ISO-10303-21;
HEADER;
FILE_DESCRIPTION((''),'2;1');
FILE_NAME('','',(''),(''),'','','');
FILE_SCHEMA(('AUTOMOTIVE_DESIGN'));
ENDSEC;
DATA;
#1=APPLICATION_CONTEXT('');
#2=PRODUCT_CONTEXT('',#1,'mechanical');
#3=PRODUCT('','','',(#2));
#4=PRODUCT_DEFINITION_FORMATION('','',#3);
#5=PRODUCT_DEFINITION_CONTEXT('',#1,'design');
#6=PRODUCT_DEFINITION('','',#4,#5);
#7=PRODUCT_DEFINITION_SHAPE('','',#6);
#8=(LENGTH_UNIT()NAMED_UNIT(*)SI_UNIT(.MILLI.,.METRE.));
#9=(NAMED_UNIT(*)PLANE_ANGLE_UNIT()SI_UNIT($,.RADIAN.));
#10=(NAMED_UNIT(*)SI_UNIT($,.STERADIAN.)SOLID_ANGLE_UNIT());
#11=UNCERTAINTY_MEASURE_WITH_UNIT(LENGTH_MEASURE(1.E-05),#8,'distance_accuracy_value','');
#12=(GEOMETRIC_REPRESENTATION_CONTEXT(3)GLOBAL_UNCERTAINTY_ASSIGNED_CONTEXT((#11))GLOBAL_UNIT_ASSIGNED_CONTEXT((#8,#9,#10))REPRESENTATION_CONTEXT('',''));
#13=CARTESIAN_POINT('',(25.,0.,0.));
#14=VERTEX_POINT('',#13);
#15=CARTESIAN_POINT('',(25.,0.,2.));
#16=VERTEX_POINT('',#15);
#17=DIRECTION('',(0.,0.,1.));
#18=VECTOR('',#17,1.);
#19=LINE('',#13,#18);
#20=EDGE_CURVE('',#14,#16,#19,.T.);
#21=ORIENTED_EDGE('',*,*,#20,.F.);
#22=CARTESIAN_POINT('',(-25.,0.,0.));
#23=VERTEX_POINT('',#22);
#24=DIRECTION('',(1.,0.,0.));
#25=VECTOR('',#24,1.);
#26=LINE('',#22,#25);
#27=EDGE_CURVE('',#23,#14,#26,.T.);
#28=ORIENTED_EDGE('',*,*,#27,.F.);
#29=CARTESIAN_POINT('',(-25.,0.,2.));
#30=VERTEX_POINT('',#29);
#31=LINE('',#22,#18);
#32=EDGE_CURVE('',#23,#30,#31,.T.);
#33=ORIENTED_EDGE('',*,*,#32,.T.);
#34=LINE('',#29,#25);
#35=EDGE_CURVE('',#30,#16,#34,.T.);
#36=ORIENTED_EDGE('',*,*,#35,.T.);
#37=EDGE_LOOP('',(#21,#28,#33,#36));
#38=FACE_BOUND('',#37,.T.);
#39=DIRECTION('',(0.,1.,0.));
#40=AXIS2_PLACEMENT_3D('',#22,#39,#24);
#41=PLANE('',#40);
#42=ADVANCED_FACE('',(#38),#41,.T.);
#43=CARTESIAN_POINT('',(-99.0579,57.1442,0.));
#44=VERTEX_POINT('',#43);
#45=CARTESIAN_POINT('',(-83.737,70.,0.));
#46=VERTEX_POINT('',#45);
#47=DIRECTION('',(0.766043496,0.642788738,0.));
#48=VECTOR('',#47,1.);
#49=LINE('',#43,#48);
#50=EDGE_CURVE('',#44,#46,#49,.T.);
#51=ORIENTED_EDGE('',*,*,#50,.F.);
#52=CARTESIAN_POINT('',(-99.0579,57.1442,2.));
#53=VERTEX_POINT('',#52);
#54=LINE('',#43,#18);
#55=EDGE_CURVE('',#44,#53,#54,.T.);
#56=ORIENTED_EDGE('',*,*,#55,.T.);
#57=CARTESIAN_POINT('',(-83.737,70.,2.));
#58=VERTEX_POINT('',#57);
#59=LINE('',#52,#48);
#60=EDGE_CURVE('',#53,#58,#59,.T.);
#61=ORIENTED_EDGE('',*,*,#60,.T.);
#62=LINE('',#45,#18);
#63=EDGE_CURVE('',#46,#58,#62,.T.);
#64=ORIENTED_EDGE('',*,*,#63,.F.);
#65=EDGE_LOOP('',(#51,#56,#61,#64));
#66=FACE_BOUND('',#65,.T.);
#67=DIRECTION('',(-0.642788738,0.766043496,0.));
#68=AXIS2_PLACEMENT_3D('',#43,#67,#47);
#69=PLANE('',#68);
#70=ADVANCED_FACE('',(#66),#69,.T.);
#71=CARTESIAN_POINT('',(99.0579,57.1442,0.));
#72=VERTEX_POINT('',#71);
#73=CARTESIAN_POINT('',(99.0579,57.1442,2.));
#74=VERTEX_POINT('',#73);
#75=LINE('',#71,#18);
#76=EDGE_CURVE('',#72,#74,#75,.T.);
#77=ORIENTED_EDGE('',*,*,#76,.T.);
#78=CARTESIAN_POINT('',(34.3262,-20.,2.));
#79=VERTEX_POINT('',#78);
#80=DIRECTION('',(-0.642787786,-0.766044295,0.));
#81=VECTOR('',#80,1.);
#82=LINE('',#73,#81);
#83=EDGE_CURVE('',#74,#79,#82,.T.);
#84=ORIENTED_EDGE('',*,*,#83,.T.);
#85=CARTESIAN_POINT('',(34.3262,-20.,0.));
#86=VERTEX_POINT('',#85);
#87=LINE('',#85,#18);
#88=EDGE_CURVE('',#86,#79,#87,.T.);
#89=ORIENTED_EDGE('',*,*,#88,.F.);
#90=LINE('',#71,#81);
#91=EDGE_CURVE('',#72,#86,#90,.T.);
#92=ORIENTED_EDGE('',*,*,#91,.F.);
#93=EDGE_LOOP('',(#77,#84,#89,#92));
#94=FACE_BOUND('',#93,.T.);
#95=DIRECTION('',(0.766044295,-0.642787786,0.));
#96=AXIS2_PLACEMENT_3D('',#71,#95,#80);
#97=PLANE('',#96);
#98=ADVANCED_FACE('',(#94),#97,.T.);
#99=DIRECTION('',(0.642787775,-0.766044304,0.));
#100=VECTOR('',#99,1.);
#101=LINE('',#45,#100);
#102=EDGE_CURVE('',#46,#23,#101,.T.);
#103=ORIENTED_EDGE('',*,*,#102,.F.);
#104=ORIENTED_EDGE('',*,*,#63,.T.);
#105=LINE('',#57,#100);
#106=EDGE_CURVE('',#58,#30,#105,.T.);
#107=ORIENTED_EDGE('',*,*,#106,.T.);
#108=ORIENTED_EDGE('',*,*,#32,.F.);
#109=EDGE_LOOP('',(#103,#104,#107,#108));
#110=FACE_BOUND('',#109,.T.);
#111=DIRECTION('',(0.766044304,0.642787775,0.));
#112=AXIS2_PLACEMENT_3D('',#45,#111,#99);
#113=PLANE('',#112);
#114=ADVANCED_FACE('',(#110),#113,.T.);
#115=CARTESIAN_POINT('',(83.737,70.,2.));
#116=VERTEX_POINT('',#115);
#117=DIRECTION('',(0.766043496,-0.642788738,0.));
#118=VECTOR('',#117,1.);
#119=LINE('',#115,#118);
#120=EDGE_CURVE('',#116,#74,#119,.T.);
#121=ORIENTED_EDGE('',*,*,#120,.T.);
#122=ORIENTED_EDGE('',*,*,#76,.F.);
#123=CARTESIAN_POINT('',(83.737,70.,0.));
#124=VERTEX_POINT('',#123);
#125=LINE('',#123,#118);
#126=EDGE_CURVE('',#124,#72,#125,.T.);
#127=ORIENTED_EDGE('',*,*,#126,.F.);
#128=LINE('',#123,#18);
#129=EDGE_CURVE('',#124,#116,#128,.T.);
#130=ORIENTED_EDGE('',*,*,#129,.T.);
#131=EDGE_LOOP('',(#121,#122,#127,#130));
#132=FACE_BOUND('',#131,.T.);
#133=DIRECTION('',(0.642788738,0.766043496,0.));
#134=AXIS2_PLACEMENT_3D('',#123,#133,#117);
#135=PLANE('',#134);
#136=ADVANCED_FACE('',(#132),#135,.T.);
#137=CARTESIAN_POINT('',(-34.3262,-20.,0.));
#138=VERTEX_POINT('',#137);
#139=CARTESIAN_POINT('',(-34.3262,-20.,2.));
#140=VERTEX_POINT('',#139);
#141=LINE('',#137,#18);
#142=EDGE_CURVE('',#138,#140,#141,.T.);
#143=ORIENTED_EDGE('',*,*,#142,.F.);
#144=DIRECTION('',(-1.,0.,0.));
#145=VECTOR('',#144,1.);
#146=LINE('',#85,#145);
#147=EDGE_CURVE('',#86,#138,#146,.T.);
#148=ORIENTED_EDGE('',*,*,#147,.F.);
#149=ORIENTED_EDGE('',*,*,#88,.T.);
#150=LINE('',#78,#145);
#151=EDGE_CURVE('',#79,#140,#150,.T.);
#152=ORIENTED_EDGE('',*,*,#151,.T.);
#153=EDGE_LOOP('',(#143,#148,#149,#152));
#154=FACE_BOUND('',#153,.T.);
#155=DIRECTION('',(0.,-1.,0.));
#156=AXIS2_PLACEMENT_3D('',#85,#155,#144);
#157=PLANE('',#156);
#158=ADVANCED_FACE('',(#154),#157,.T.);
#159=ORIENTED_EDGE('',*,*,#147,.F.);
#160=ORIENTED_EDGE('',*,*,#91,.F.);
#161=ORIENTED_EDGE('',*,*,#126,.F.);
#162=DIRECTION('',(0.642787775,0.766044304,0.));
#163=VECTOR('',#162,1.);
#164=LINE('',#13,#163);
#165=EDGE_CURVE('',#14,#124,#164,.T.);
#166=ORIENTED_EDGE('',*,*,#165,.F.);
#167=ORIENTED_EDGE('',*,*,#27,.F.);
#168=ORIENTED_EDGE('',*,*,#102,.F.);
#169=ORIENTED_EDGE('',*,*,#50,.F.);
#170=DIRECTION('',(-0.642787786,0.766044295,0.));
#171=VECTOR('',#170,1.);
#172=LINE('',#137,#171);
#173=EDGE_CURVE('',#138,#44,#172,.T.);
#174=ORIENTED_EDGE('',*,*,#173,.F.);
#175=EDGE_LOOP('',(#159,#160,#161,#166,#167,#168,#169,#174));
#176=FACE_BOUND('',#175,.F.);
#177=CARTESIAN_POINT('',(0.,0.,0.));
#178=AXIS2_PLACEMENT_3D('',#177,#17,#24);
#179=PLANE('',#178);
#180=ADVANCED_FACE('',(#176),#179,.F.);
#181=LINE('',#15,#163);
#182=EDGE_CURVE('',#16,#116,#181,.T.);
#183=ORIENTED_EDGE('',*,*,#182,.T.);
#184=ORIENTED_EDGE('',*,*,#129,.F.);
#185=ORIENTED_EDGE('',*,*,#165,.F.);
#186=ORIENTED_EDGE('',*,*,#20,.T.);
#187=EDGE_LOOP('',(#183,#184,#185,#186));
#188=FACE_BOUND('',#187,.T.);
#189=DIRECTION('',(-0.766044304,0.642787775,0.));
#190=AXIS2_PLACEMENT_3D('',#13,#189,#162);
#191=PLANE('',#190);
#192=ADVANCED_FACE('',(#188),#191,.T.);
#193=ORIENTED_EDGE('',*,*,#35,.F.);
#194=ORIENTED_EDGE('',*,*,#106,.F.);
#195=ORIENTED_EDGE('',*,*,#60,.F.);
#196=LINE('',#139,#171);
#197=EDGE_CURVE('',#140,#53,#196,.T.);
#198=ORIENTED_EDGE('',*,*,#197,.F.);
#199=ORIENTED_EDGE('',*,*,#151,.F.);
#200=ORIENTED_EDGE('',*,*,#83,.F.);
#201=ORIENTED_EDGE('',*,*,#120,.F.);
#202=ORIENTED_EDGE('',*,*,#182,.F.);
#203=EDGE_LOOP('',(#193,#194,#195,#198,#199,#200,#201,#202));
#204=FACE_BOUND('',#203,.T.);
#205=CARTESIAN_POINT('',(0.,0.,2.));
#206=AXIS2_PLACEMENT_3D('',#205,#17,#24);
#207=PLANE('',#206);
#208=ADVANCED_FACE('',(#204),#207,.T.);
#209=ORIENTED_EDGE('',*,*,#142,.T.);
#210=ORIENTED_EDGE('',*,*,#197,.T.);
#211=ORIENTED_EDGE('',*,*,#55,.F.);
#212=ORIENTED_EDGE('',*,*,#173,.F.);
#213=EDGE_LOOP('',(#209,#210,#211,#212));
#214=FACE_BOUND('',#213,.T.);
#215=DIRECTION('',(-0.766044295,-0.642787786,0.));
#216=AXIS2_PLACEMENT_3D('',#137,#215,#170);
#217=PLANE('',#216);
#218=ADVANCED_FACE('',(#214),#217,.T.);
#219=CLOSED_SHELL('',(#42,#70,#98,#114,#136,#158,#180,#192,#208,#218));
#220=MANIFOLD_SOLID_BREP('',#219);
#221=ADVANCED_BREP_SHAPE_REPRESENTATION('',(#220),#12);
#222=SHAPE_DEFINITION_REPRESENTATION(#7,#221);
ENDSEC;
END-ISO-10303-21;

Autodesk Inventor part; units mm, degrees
ref_plane "YZ Plane" through (0, 0, 0) normal (1, 0, 0) x (0, 1, 0)
ref_plane "XZ Plane" through (0, 0, 0) normal (0, 1, 0) x (-1, 0, 0)
ref_plane "XY Plane" through (0, 0, 0) normal (0, 0, 1) x (1, 0, 0)
sketch "Sketch1" plane through (0, 0, 0) normal (0, 0, 1) x (1, 0, 0)
  line L0 (-25, 0) -> (25, 0)
  line L1 (25, 0) -> (83.737, 70)
  line L2 (83.737, 70) -> (99.0579, 57.1442)
  line L3 (99.0579, 57.1442) -> (34.3262, -20)
  line L4 (34.3262, -20) -> (-34.3262, -20)
  line L5 (-34.3262, -20) -> (-99.0579, 57.1442)
  line L6 (-99.0579, 57.1442) -> (-83.737, 70)
  line L7 (-83.737, 70) -> (-25, 0)
  line L8 (0, 0) -> (0, -20) construction
  dimension "d0" = 50
  dimension "d1" = 70
  dimension "d2" = 130
  dimension "d3" = 20
extrude "Plate1" add sketch "Sketch1" along normal blind 2
equation "\"d0\" = Лоток_ширина_низ"
equation "\"d1\" = Лоток_высота - Лоток_глубина_выреза"
equation "\"d2\" = Лоток_угол"
equation "\"d4\" = Thickness"
equation "\"BendRadius\" = Thickness"
equation "\"BendReliefWidth\" = Thickness"
equation "\"BendReliefDepth\" = 0.5 * Thickness"
equation "\"CornerReliefSize\" = 4 * Thickness"
equation "\"MinimumRemnant\" = 2 * Thickness"
equation "\"TransitionRadius\" = BendRadius"
equation "\"JacobiRadiusSize\" = BendRadius"
equation "\"GapSize\" = Thickness"
equation "\"Лоток_ширина_низ\" = 50"
equation "\"Лоток_высота\" = 100"
equation "\"Лоток_глубина_выреза\" = 30"
equation "\"Лоток_угол\" = 130deg"
equation "\"Thickness\" = 2"
properties part number "ДМФ 054 фланец лотка"
